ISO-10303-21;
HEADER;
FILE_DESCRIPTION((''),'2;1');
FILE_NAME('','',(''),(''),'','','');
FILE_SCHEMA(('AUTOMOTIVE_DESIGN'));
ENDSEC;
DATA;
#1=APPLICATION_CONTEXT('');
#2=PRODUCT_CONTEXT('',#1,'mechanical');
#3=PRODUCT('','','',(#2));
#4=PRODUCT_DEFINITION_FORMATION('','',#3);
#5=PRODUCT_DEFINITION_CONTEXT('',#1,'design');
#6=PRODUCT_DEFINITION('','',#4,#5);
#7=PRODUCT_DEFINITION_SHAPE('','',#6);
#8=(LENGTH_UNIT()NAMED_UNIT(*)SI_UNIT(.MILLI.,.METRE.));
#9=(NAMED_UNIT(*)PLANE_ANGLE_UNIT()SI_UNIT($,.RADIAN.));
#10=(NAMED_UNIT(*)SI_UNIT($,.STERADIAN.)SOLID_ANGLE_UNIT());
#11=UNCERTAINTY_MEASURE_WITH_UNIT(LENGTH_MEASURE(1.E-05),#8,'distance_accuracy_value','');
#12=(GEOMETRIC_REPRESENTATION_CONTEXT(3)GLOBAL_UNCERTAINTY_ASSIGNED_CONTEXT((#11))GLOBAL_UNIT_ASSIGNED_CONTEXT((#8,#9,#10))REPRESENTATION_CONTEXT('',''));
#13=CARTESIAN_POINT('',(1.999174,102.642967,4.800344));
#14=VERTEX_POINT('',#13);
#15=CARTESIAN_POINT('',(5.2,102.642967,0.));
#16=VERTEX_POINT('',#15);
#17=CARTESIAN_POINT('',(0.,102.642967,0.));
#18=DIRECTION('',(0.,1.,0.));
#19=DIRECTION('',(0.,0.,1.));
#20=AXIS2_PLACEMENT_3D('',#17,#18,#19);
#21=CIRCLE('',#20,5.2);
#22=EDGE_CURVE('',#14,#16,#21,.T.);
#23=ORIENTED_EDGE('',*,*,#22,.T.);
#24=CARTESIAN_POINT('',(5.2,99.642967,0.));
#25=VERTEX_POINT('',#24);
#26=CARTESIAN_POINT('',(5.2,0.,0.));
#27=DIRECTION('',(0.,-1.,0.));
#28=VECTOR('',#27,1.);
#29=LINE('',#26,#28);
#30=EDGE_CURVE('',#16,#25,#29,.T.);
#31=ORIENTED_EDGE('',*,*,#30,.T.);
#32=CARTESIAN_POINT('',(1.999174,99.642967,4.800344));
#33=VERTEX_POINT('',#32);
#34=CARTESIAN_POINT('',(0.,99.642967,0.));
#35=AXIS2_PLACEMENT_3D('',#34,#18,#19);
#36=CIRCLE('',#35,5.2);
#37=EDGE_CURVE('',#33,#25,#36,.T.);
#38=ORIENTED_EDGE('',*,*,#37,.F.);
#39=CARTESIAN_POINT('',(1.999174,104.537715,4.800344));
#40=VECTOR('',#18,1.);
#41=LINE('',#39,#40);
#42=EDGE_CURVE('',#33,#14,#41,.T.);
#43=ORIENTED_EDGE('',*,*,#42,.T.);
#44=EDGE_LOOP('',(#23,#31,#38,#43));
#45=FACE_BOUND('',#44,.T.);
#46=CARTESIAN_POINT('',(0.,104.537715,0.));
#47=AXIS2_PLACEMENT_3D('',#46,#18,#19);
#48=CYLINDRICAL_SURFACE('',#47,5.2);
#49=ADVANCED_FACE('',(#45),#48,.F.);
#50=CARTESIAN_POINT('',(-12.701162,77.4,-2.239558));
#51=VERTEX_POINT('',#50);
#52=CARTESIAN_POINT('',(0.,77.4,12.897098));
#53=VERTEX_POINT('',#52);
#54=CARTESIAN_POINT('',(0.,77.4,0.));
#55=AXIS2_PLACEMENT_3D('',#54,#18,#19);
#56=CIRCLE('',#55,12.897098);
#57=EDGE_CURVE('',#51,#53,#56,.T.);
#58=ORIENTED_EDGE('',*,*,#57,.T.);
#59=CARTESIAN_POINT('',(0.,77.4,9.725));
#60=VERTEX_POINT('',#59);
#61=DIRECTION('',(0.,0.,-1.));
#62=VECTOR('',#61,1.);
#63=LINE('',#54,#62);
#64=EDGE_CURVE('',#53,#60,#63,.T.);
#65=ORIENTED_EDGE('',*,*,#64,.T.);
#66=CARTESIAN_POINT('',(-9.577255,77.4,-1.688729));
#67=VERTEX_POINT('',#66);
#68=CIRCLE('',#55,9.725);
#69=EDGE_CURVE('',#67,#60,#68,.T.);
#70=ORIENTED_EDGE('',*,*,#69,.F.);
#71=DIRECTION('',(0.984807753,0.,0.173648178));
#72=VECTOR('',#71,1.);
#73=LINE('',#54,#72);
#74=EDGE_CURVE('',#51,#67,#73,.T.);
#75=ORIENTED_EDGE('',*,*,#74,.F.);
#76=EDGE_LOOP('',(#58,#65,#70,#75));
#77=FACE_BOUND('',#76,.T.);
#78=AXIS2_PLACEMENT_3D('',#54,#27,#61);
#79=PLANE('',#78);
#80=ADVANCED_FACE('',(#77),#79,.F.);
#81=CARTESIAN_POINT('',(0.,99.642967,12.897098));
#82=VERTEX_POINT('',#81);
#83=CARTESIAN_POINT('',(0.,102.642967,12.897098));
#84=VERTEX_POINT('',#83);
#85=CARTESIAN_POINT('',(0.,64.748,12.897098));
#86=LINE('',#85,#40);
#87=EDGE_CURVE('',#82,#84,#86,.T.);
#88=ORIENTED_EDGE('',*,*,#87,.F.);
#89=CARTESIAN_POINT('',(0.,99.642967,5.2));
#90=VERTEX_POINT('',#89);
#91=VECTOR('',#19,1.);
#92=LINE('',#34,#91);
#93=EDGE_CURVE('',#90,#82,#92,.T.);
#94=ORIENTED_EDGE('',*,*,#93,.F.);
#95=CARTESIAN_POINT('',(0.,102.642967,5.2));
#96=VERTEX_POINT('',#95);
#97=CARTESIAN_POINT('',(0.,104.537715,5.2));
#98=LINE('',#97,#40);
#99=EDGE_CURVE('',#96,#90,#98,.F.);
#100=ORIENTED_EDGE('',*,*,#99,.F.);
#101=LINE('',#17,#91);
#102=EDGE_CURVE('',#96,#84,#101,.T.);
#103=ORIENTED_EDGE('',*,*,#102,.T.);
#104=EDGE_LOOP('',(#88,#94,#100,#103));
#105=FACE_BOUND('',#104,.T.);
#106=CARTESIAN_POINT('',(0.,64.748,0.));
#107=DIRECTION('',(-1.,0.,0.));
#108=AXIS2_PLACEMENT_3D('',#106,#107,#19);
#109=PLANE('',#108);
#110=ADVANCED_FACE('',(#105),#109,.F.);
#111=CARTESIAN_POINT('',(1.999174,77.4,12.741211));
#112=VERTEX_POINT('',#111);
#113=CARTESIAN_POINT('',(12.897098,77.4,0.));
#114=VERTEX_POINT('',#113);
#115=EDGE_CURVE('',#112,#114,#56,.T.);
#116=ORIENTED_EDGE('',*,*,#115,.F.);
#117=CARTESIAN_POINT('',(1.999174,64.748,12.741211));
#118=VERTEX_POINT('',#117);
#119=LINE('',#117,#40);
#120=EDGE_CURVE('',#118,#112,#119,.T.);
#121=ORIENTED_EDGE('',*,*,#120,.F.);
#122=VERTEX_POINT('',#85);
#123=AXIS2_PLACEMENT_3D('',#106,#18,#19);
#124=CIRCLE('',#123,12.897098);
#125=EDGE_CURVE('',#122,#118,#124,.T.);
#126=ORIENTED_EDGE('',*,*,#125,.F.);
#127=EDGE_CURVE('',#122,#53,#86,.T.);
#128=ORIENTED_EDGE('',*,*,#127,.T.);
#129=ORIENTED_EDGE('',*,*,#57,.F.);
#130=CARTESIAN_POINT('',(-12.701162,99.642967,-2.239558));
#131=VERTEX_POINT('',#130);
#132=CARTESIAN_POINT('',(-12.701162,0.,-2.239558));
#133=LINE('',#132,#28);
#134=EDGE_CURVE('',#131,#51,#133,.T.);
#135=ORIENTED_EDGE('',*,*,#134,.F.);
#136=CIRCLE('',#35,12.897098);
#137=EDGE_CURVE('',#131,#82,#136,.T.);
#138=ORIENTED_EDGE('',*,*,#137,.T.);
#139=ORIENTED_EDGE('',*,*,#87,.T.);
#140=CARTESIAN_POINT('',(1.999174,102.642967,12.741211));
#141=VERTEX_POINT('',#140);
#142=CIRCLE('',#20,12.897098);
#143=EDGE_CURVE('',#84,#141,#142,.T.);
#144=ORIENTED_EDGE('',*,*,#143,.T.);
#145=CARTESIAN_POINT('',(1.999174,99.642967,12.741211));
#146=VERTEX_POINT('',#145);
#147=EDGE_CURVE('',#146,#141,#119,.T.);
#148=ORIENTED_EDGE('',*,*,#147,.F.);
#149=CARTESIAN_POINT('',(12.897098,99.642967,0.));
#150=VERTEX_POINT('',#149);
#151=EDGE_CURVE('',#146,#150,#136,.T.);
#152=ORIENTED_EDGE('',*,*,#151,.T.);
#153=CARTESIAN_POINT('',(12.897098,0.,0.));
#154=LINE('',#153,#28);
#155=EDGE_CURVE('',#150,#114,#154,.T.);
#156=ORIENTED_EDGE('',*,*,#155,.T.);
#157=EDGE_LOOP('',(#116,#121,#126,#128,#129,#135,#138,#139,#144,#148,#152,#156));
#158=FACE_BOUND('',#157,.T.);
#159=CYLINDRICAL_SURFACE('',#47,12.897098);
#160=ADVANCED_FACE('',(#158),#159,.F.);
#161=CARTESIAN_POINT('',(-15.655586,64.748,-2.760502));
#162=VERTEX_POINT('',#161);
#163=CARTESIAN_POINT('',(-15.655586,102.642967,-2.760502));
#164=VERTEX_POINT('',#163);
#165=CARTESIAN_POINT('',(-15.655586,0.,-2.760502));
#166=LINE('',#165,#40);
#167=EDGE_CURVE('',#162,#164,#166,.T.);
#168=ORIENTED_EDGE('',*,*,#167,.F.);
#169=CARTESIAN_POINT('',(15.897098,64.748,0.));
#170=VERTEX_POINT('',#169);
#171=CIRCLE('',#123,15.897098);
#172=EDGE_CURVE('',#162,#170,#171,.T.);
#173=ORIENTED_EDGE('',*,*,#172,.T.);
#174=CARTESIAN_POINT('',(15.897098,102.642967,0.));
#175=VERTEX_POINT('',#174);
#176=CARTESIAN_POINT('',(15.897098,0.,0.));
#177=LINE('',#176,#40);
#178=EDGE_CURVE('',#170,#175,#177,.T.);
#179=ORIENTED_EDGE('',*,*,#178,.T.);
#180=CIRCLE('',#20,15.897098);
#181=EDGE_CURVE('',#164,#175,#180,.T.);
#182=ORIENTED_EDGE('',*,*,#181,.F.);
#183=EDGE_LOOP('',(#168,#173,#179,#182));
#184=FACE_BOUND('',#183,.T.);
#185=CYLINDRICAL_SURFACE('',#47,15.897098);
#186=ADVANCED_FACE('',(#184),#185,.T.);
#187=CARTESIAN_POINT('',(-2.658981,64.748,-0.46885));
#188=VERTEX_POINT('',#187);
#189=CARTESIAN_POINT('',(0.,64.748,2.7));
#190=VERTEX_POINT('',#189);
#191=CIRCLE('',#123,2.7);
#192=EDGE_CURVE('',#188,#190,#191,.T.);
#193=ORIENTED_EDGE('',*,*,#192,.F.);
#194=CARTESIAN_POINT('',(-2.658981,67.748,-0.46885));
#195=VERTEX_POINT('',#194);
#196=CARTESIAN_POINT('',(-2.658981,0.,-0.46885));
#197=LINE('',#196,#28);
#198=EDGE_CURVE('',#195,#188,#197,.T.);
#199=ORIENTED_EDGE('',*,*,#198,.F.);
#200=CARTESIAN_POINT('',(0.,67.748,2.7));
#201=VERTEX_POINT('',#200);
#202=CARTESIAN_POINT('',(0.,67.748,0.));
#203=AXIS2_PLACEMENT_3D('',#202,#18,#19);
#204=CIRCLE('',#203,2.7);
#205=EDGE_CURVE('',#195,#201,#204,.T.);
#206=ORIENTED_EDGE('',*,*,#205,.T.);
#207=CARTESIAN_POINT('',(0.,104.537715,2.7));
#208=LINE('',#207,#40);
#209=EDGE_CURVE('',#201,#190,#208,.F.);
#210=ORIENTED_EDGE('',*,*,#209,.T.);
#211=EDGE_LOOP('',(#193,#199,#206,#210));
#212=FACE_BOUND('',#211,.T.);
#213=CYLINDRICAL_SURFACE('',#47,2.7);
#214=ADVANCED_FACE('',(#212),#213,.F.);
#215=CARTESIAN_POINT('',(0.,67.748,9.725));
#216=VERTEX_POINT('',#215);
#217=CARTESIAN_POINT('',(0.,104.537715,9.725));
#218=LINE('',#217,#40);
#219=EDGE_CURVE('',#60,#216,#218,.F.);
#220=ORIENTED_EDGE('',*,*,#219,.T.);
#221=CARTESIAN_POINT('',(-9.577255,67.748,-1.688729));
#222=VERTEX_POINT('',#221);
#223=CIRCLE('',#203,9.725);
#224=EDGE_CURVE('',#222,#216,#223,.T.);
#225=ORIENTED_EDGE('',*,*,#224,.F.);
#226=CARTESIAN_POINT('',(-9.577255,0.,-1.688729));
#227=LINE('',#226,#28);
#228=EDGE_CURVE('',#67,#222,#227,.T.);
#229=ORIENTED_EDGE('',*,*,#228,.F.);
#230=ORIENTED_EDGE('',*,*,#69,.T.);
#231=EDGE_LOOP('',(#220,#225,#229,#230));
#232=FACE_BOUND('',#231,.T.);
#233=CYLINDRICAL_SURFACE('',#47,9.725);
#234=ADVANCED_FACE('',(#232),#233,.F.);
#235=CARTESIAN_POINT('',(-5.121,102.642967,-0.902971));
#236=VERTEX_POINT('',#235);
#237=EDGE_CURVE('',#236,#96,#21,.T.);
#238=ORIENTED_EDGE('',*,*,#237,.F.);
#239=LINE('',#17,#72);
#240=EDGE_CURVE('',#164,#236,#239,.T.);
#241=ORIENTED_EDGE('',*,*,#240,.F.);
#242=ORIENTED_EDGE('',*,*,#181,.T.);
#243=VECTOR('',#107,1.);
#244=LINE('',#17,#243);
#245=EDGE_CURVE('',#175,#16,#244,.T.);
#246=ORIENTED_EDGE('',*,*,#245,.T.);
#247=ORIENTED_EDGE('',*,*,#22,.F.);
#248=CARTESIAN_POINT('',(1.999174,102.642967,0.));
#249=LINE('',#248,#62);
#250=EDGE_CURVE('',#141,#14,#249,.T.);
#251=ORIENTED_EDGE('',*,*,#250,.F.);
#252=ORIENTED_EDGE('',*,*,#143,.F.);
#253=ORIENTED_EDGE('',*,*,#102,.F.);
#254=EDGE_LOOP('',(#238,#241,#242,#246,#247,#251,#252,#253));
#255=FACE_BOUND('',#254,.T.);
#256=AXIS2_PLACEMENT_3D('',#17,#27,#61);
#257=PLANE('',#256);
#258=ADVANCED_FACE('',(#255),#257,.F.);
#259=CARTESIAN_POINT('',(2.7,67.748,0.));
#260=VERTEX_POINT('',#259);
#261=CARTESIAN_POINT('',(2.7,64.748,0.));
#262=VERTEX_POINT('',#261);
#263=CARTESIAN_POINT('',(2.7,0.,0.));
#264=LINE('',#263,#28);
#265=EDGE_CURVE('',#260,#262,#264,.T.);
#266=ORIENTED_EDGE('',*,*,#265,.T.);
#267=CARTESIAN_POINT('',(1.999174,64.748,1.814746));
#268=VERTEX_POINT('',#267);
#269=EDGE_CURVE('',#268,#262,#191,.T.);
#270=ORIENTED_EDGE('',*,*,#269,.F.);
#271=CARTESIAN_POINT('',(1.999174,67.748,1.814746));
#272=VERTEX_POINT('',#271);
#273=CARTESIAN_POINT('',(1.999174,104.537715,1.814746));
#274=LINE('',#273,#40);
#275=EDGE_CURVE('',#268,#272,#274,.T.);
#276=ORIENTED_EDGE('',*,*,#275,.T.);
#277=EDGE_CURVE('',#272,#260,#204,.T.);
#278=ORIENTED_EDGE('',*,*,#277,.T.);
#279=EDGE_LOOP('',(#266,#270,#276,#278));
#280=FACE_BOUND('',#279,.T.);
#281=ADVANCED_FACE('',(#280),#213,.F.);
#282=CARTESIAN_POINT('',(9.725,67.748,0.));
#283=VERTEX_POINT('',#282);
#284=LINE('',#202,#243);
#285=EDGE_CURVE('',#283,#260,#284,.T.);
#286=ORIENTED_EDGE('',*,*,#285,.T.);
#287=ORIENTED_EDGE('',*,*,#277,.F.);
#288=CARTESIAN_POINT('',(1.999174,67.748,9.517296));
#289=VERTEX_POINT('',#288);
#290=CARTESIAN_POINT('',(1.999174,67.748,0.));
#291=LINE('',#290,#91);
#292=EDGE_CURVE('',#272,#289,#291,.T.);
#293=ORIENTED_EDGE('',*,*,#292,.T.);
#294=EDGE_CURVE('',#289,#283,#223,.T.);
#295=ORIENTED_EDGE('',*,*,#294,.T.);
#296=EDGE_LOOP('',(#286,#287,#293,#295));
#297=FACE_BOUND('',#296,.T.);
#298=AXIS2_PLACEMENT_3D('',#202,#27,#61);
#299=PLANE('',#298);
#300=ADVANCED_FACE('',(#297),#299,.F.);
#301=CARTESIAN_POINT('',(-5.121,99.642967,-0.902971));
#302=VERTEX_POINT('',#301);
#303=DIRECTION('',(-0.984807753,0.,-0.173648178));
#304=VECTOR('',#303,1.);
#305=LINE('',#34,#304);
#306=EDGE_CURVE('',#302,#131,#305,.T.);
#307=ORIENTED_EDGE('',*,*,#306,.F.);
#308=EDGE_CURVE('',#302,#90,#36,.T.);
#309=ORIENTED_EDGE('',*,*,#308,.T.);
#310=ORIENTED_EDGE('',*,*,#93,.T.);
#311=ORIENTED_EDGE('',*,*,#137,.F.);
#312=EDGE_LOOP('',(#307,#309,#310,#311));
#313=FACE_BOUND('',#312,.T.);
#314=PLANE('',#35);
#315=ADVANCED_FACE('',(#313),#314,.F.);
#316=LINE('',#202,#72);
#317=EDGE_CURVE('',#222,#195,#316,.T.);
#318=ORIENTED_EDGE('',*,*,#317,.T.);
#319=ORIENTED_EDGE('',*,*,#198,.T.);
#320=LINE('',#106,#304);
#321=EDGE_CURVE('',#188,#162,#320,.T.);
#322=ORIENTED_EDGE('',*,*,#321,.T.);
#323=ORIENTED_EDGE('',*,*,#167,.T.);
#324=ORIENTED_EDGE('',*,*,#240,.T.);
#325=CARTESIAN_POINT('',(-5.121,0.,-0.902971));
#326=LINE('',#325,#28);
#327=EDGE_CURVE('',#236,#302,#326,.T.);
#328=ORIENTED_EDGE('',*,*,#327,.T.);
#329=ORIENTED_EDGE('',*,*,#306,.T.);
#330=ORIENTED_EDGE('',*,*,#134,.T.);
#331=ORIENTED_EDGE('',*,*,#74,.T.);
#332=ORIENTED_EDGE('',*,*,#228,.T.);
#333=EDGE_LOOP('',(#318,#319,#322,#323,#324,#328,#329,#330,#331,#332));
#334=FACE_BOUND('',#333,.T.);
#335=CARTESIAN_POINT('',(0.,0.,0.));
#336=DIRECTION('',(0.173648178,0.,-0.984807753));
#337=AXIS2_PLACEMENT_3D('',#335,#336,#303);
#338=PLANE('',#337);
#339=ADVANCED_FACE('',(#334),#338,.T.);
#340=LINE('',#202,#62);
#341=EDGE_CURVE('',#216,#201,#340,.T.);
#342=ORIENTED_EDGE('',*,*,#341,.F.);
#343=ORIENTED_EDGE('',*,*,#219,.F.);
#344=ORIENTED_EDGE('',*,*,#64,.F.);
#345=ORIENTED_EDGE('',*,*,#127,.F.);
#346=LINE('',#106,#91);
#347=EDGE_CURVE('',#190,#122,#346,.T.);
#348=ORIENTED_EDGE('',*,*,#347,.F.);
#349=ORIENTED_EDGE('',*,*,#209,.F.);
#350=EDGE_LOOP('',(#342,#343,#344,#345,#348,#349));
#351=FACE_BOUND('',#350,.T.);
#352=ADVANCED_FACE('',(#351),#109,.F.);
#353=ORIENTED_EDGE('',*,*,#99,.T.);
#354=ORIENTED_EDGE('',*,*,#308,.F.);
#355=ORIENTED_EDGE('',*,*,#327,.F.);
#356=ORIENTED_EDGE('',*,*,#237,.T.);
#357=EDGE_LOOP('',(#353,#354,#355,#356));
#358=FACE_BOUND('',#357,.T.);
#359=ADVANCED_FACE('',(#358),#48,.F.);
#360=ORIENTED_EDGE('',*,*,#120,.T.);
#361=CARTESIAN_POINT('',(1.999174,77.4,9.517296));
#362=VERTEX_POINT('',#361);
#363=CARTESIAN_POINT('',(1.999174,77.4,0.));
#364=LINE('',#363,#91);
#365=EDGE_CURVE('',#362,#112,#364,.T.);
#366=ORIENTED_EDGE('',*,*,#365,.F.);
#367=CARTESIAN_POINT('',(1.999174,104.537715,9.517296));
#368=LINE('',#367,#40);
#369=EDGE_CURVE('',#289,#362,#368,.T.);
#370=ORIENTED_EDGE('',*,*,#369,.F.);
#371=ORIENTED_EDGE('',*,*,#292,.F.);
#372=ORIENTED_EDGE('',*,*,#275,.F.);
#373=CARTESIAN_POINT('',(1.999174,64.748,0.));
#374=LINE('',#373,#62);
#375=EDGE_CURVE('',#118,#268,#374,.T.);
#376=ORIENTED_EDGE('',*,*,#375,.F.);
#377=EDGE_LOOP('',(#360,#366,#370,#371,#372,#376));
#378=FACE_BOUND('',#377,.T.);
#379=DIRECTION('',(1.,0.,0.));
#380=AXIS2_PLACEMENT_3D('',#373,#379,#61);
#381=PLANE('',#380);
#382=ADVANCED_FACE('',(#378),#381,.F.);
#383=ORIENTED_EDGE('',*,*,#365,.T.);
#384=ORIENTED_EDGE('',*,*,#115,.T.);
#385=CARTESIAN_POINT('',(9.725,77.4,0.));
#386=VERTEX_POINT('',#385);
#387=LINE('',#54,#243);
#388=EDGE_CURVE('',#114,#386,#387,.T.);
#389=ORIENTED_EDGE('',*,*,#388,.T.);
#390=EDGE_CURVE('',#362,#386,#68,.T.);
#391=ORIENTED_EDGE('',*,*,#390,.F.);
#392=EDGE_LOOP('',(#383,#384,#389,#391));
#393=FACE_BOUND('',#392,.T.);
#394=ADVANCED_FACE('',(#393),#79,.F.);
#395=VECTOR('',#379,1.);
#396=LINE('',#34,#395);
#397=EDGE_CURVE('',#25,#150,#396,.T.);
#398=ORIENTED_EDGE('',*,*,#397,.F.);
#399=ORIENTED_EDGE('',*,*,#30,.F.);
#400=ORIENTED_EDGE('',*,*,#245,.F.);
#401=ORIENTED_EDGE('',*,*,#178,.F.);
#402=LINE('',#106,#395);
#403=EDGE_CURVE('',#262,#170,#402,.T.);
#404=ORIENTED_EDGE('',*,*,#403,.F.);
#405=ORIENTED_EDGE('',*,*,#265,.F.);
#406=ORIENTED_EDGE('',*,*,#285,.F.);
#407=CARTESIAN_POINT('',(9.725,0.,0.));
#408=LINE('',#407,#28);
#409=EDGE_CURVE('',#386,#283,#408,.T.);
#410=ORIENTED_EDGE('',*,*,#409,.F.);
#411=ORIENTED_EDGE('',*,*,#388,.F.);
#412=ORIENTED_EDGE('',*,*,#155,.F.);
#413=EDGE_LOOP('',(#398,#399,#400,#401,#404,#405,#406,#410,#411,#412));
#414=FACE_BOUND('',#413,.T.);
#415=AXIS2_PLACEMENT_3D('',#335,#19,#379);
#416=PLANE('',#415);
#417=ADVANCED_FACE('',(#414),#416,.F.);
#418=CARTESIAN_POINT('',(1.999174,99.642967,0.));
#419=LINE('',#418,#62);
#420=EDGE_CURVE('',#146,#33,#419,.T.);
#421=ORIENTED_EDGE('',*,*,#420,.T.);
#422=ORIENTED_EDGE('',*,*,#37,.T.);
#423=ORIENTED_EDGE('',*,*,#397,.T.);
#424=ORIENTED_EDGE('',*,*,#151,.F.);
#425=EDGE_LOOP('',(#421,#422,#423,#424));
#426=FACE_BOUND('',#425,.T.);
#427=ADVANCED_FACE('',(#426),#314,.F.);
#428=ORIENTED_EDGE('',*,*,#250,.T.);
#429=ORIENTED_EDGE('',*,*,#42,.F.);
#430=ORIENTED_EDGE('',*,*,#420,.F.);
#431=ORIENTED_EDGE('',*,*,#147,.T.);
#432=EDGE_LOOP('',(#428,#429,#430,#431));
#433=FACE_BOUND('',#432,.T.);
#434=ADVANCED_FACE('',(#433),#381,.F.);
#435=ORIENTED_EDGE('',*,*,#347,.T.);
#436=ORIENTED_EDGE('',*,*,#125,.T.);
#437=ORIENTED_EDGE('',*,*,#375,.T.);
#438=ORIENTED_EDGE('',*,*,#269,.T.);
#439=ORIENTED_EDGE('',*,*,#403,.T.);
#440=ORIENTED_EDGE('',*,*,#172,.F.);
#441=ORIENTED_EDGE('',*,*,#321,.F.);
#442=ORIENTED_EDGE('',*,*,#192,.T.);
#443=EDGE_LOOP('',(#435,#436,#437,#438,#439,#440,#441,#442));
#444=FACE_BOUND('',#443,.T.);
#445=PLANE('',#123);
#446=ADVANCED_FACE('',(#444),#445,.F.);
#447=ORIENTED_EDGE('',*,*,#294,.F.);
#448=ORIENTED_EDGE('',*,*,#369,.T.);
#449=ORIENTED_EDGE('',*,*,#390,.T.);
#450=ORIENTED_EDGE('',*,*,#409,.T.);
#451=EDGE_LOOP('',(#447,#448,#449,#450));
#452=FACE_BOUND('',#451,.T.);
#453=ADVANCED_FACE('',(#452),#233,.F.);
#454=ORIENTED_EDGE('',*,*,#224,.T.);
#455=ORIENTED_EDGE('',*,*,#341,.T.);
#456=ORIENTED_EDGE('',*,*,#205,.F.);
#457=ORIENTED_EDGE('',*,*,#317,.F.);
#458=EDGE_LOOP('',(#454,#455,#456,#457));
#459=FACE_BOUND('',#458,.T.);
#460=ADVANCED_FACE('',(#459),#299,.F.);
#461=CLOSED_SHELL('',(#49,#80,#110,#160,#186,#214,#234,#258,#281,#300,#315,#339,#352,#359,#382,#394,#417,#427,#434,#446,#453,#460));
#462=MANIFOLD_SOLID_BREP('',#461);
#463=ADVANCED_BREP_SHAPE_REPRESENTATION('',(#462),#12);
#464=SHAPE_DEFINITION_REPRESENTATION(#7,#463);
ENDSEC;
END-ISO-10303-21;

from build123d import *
from build123d.topology import SkipClean

# Parameters (mm, degrees)
REVOLVE1_ANGLE     = 190
CUT_EXTRUDE1_DEPTH = 45.06204684


with BuildPart() as part:
    # Sketch1 → Revolve1 (revolve)
    with BuildSketch(Plane.XY):
        Polygon((15.897098368, 102.642966667), (5.2, 102.642966667), (5.2, 99.642966667), (12.897098368, 99.642966667), (12.897098368, 77.4), (9.725, 77.4), (9.725, 67.748), (2.7, 67.748), (2.7, 64.748), (15.897098368, 64.748), align=None)
    revolve(axis=Axis((0, 104.537715, 0), (0, -1, 0)), revolution_arc=REVOLVE1_ANGLE)

    # Sketch2 → Cut-Extrude1 (cut, through all)
    with SkipClean():  # the faces are left unmerged after this step: merging them gives an invalid solid
        with BuildSketch(Plane(origin=(0, 102.642966667, 0), x_dir=(1, 0, 0), z_dir=(0, 1, 0))):
            with BuildLine():
                Line((0, 0), (0, -12.897098368))
                ThreePointArc((0, -12.897098368), (1.002621368, -12.858067378), (1.999174193, -12.741210651))
                Line((1.999174193, -12.741210651), (1.999174193, 0))
                Line((1.999174193, 0), (0, 0))
            make_face()
        extrude(amount=-CUT_EXTRUDE1_DEPTH, mode=Mode.SUBTRACT)


solid = part.part
